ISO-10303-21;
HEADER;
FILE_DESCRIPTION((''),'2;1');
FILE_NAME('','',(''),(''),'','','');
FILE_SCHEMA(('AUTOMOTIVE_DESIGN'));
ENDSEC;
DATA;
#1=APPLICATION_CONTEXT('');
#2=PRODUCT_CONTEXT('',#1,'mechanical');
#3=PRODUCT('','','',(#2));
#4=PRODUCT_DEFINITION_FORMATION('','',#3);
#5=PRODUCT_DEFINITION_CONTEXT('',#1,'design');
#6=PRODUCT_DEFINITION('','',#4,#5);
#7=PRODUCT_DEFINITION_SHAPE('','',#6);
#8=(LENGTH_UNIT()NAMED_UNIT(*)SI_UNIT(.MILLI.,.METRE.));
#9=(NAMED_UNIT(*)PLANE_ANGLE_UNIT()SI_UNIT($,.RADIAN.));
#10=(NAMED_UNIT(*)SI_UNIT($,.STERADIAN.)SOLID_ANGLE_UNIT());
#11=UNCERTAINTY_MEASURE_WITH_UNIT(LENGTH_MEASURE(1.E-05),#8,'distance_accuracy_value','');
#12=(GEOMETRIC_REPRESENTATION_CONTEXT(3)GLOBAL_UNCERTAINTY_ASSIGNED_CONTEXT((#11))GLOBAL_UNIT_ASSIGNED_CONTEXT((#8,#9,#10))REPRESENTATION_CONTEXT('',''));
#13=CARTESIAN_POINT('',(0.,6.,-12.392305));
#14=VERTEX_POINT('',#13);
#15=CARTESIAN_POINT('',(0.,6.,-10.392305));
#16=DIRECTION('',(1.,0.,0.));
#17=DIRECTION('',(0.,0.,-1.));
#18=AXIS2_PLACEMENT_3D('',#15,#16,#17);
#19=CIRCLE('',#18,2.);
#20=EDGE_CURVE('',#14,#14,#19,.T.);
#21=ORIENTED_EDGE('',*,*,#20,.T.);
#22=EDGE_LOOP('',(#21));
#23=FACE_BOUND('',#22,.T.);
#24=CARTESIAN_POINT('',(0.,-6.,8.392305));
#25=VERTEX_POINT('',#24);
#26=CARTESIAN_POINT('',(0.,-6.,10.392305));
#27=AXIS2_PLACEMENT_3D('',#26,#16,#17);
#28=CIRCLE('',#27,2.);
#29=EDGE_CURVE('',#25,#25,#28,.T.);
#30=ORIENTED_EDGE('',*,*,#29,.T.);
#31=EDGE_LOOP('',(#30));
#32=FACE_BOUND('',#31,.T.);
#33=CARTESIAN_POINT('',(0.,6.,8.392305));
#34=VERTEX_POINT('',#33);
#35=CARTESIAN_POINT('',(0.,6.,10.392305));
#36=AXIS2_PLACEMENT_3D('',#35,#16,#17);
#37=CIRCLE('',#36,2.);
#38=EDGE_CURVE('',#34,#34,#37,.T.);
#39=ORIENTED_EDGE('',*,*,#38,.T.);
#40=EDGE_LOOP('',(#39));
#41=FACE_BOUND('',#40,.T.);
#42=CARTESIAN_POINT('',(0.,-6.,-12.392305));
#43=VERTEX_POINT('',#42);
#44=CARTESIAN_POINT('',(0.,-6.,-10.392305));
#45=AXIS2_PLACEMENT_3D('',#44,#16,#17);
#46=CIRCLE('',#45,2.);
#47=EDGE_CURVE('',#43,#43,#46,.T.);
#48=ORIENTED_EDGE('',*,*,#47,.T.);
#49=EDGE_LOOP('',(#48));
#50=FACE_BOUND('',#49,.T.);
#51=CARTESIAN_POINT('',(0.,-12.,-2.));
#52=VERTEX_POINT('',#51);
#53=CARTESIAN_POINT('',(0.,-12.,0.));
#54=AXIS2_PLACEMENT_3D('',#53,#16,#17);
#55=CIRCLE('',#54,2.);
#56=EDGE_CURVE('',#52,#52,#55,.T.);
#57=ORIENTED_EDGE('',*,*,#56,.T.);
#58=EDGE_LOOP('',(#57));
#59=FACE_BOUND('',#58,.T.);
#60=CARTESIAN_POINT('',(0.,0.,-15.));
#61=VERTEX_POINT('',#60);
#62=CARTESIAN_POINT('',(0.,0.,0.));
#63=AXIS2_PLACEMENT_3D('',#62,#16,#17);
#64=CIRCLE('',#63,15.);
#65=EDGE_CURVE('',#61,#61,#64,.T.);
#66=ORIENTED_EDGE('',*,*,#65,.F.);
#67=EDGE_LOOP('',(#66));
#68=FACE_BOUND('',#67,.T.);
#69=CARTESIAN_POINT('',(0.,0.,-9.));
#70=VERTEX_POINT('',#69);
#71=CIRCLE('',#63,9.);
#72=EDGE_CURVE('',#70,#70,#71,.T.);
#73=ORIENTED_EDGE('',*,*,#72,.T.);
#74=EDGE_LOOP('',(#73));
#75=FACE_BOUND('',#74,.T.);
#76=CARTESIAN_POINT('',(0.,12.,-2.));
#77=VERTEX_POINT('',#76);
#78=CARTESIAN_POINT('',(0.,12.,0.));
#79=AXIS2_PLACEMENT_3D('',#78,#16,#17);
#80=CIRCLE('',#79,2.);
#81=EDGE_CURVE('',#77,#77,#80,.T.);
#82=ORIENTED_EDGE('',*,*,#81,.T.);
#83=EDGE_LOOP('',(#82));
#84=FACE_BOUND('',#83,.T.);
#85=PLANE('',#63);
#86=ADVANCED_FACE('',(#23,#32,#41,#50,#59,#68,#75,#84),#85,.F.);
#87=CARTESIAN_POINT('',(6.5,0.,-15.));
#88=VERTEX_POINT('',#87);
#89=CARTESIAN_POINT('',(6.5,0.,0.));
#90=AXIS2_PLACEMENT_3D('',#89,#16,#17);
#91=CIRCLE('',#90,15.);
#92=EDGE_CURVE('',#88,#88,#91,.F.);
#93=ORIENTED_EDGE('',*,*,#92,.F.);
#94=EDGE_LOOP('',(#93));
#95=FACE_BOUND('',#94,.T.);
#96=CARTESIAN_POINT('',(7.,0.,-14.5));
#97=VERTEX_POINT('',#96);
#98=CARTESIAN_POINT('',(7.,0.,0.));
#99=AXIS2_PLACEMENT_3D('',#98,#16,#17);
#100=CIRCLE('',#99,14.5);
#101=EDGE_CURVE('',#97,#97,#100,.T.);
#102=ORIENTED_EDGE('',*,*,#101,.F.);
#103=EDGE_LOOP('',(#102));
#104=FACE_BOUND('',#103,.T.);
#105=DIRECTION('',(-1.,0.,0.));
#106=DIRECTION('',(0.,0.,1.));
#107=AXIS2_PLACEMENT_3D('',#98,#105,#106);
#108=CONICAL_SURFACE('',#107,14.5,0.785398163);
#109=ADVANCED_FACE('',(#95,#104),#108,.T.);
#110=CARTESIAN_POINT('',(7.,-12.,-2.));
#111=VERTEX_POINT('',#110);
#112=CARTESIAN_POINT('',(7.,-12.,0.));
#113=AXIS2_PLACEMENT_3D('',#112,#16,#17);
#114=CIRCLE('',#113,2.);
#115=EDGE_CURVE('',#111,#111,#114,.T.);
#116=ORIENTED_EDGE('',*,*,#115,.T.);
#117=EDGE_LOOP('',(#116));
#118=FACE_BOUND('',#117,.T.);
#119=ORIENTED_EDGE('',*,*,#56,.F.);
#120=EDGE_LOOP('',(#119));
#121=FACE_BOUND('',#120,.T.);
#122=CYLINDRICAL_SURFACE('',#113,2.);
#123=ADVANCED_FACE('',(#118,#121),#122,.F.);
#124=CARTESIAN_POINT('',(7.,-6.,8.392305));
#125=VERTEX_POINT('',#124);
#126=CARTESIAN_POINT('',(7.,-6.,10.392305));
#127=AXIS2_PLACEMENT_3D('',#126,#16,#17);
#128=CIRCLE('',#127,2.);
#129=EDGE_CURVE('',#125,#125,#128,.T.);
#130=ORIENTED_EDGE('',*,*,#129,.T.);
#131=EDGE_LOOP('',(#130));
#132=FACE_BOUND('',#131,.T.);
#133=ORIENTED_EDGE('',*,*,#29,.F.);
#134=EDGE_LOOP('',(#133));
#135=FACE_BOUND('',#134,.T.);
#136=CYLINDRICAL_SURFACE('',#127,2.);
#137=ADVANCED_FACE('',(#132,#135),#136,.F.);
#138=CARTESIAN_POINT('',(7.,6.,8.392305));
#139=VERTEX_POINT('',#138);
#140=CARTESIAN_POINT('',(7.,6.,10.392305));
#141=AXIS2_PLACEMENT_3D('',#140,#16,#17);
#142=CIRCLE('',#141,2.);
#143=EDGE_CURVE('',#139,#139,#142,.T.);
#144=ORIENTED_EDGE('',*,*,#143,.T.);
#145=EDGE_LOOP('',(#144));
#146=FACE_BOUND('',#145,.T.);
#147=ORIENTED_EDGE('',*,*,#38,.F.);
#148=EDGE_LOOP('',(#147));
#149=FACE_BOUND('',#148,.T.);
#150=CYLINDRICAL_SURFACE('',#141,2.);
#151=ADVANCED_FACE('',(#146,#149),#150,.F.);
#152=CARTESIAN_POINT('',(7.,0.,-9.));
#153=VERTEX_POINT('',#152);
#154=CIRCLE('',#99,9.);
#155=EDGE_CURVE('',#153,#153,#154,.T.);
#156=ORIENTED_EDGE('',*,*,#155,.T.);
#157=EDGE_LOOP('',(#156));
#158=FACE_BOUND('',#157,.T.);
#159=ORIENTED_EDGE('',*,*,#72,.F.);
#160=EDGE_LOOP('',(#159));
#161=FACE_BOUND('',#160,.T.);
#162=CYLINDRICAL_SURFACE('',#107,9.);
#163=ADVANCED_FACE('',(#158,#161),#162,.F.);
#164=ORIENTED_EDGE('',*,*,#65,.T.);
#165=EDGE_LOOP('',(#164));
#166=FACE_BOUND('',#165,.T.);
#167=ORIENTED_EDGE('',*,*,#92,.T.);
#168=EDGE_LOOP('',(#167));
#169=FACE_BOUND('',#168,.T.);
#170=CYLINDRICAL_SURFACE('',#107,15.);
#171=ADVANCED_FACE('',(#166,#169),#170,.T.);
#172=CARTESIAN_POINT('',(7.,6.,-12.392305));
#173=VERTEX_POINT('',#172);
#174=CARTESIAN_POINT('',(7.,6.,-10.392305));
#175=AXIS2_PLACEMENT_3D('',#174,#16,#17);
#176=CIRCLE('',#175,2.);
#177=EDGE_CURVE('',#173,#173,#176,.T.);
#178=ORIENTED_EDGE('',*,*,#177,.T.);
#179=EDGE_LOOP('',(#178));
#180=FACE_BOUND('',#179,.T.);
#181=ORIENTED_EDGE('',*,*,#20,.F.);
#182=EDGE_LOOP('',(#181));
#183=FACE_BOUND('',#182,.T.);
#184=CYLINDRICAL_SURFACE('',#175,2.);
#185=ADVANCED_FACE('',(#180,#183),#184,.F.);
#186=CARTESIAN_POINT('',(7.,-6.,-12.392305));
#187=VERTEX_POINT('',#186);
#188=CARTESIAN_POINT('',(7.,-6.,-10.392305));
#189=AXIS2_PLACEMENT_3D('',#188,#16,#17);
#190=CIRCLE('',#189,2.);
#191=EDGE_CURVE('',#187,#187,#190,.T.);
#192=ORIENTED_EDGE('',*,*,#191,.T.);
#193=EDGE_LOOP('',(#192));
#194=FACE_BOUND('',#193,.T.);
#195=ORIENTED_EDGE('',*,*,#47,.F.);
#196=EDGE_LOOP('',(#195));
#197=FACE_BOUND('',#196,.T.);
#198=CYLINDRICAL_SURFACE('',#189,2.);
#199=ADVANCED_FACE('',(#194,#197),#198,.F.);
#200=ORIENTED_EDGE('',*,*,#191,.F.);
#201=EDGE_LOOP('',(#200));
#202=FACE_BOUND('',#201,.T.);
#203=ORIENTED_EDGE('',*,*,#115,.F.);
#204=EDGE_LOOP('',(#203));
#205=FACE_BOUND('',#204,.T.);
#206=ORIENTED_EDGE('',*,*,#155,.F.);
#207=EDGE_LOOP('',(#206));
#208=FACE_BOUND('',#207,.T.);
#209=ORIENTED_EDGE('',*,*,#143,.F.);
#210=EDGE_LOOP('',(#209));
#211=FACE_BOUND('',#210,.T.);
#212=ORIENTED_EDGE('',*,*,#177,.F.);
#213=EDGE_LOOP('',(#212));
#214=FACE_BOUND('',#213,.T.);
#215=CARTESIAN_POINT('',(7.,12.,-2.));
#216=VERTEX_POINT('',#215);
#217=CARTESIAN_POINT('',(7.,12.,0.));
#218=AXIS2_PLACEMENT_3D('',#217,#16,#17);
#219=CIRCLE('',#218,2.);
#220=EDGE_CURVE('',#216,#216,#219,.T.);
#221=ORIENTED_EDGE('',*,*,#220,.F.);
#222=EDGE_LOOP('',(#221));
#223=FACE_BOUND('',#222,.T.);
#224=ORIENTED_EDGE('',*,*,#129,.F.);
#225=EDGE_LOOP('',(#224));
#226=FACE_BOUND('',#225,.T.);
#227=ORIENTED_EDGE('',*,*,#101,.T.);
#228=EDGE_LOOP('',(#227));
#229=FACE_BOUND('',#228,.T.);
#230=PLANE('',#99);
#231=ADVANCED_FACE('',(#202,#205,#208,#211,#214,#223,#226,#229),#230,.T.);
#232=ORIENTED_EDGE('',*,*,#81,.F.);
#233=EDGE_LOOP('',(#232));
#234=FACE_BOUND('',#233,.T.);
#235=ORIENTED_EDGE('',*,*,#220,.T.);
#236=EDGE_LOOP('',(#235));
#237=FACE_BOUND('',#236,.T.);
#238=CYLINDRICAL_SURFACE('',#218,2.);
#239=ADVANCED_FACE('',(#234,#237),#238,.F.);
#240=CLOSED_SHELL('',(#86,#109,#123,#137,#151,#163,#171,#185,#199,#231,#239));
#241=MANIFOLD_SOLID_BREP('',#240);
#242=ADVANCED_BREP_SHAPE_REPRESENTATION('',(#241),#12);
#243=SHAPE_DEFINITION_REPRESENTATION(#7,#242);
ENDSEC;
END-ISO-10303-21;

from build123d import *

# Parameters (mm, degrees)
SKETCH1_R           = 15
SKETCH1_R_2         = 9
BOSS_EXTRUDE1_DEPTH = 7
CIRPATTERN1_COUNT   = 6
CHAMFER1_SIZE       = 0.5


with BuildPart() as part:
    # Sketch1 → Boss-Extrude1 (new body)
    with BuildSketch(Plane(origin=(0, 0, 0), x_dir=(0, 0, -1), z_dir=(1, 0, 0))):
        Circle(SKETCH1_R)
        Circle(SKETCH1_R_2, mode=Mode.SUBTRACT)
    extrude(amount=BOSS_EXTRUDE1_DEPTH)

    # Sketch3 → Ø4.0mm Dowel Hole1 (revolve, cut)
    with BuildSketch(Plane(origin=(7, 12, 0), x_dir=(0, 0, -1), z_dir=(0, 1, 0))):
        Polygon((0, 0), (0, 51.201721238), (2, 50), (2, 0), align=None)
    f_4_0mm_dowel_hole1 = revolve(axis=Axis((13.35, 12, 0), (-1, 0, 0)), mode=Mode.SUBTRACT)

    # CirPattern1: Ø4.0mm Dowel Hole1 ×6 about axis
    cirpattern1_axis = Axis((0, 0, 0), (1, 0, 0))
    for i in range(1, CIRPATTERN1_COUNT):
        add(f_4_0mm_dowel_hole1.rotate(cirpattern1_axis, i * 360 / CIRPATTERN1_COUNT), mode=Mode.SUBTRACT)

    # Chamfer1
    chamfer1_edges = [part.edges().sort_by_distance(p)[0] for p in [
        (7, 0, 15),
    ]]
    chamfer(chamfer1_edges, length=CHAMFER1_SIZE)


solid = part.part
